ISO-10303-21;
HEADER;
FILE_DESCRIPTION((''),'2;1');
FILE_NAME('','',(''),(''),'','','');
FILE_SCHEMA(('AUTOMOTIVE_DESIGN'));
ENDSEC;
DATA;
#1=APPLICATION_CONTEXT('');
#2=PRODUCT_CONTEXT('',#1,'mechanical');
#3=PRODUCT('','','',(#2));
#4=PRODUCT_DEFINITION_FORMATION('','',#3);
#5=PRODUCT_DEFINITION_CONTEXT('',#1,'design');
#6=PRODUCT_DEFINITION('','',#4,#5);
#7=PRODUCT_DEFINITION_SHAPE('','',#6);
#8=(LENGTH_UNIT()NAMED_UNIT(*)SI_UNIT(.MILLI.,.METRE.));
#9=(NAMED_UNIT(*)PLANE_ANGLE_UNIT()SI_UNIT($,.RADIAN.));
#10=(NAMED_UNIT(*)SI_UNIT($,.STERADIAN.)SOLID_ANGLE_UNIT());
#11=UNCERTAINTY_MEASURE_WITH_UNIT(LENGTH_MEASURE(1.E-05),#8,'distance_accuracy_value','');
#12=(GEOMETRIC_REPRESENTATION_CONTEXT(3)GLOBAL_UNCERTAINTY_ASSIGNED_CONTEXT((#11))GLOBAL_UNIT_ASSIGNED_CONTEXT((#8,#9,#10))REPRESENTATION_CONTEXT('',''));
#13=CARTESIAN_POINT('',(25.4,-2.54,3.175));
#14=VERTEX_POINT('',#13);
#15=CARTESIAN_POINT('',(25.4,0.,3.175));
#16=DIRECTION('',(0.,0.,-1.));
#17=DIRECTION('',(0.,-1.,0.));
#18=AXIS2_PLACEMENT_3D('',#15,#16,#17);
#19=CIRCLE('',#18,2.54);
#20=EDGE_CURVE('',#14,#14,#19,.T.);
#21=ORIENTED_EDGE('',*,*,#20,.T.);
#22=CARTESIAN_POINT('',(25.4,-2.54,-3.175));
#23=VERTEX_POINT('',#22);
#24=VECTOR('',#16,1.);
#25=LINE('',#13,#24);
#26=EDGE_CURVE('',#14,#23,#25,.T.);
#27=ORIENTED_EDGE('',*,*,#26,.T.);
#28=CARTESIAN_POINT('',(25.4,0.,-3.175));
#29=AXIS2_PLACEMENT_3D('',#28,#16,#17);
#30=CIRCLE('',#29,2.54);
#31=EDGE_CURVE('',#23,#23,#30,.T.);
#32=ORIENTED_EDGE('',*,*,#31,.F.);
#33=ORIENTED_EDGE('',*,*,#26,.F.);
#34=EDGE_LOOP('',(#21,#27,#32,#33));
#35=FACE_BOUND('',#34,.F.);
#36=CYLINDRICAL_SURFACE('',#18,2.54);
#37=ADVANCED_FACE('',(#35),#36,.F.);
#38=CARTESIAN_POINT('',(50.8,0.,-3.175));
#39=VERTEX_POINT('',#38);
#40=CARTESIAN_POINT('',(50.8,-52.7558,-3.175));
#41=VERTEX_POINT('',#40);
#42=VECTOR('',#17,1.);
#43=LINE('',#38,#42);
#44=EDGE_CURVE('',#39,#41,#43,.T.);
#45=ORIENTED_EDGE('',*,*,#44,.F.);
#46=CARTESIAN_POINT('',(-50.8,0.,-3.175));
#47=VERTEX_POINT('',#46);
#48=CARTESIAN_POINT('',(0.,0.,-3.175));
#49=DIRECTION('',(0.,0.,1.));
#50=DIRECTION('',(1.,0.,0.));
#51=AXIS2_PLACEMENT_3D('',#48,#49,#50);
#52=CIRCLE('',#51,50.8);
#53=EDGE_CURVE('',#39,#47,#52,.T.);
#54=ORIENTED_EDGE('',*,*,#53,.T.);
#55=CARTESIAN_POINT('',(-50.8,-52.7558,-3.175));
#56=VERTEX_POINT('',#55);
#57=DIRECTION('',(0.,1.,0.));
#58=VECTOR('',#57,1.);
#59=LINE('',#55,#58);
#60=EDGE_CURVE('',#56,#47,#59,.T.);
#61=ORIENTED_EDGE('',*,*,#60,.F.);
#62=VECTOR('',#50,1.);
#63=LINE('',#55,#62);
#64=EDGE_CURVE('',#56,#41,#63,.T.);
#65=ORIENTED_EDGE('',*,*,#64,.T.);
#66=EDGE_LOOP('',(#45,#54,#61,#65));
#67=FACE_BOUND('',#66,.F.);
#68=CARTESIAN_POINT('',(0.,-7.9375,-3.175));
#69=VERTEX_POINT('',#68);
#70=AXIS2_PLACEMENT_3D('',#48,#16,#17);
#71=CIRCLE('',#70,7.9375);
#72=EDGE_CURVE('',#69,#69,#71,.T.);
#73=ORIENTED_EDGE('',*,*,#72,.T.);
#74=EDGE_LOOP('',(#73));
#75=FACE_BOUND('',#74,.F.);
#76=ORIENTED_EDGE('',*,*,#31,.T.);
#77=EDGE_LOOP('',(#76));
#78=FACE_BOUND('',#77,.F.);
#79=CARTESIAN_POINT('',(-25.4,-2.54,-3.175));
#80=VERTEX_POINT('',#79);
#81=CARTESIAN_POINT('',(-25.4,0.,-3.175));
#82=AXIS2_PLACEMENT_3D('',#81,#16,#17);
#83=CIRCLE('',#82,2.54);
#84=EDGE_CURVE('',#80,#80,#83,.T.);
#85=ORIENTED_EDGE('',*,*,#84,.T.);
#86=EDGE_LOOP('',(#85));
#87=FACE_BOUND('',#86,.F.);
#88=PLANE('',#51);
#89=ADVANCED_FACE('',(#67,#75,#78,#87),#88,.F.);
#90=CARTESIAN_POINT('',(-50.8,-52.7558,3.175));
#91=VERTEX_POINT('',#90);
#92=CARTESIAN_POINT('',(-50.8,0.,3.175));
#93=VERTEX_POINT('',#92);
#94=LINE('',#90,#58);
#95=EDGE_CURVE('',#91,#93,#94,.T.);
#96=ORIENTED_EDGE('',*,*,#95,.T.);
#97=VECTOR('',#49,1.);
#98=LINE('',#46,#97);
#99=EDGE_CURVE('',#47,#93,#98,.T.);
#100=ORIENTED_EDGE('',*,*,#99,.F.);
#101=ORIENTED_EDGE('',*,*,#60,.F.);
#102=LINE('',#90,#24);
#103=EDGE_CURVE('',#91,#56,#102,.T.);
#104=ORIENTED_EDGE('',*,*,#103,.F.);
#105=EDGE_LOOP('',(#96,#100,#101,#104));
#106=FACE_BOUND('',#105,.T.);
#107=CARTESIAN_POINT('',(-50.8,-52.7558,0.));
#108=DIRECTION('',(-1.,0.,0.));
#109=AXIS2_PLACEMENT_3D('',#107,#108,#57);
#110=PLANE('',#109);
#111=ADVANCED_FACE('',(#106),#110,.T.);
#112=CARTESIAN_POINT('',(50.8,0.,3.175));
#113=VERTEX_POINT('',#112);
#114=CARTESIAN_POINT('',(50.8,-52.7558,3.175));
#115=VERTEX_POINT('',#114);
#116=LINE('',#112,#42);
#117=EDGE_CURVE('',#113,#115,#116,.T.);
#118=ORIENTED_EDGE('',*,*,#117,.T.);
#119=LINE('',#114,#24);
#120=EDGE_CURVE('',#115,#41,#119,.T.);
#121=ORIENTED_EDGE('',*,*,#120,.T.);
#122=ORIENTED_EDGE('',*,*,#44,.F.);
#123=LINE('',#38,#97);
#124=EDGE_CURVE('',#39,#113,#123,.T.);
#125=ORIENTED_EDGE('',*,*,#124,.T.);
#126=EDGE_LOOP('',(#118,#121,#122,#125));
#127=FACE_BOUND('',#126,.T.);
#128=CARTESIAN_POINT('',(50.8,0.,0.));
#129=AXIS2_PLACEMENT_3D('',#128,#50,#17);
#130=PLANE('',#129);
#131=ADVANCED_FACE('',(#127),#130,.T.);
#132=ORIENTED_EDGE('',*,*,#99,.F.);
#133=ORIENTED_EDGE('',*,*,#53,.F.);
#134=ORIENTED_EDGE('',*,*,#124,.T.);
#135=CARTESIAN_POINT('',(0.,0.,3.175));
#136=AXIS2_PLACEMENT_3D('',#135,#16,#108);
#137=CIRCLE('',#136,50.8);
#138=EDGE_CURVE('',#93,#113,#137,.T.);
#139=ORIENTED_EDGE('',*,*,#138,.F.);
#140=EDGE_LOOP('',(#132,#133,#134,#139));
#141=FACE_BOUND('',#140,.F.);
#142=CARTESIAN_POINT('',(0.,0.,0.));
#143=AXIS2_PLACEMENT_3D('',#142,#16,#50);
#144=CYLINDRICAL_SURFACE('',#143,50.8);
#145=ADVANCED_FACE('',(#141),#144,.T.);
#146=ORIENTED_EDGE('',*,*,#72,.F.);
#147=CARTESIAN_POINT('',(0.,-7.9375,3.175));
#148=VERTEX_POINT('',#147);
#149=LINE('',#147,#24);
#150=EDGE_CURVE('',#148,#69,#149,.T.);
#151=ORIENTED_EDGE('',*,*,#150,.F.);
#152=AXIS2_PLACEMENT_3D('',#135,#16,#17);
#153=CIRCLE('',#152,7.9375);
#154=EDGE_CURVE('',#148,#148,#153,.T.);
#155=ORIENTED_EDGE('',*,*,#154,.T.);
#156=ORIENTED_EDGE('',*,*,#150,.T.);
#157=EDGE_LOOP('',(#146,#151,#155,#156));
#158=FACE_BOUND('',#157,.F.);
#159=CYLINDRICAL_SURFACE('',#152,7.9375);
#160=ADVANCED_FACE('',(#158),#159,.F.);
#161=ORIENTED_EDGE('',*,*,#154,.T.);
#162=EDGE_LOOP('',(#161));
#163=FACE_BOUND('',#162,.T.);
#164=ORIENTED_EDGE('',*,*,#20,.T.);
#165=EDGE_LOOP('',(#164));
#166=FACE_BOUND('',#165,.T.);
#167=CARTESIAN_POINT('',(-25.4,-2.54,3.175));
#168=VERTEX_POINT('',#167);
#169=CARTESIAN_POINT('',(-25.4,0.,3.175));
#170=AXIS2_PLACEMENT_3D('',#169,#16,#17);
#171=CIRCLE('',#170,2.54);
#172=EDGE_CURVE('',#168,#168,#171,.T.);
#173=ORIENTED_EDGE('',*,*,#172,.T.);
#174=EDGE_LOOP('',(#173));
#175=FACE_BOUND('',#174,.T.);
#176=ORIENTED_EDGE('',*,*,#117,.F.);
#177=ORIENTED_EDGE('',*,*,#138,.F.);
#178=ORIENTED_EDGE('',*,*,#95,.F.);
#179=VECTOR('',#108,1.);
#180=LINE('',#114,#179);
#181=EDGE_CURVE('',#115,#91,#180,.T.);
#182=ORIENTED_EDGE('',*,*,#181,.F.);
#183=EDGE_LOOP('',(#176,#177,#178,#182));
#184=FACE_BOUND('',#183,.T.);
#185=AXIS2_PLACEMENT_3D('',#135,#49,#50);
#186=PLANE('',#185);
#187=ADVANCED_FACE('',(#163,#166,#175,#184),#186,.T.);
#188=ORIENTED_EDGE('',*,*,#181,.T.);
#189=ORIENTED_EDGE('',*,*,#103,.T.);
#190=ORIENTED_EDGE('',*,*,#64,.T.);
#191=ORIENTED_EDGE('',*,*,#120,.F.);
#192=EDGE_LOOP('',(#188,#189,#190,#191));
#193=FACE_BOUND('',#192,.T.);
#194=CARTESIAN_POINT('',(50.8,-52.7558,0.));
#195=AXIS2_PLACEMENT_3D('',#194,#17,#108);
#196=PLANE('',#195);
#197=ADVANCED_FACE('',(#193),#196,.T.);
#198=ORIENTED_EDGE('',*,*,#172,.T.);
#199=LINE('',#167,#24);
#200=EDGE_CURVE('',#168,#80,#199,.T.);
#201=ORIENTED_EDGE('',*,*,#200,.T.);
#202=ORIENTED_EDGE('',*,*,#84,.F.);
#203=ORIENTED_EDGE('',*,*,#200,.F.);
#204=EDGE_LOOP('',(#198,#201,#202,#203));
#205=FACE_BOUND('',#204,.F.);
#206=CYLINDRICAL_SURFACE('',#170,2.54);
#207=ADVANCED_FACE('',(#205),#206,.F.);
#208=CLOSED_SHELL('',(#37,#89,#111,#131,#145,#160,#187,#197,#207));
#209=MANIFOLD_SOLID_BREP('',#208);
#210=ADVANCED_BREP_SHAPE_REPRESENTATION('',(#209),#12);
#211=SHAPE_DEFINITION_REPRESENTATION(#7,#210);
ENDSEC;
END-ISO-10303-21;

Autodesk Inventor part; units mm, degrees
sketch "Sketch1" plane through (0, 0, 0) normal (0, 0, 1) x (1, 0, 0)
  arc A0 (50.8, 0) -> (-50.8, 0) centre (0, 0) ccw
  line L0 (50.8, 0) -> (50.8, -52.7558)
  line L1 (50.8, -52.7558) -> (-50.8, -52.7558)
  line L2 (-50.8, -52.7558) -> (-50.8, 0)
  line L3 (0, 71.5112) -> (0, -73.467) projected
  dimension "d2" = 52.7558
  dimension "d3" = 50.8
  dimension "d22" = 0
extrude "Extrusion1" add sketch "Sketch1" along normal mid plane 6.35
sketch "Sketch2" plane through (0, 0, 3.175) normal (0, 0, 1) x (1, 0, 0)
  point P0 (0, 0)
  point P1 (0, 0)
hole "Hole1" at (0, 0, 3.175) direction (0, 0, -1) diameter 15.875 end through all
sketch "Sketch5" plane through (0, 0, 3.175) normal (0, 0, 1) x (1, 0, 0)
  circle A0 centre (-25.4, 0) radius 2.54
  line L0 (0, 50.8056) -> (0, 0) construction
  circle A1 centre (25.4, 0) radius 2.54
  dimension "d31" = 5.08
  dimension "d32" = 25.4
hole "Hole4" at (-25.4, 0, 3.175) at (25.4, 0, 3.175) direction (0, 0, -1) diameter 5.08 end through all
properties part number "Boom Hinge" material "Aluminum 6061"
